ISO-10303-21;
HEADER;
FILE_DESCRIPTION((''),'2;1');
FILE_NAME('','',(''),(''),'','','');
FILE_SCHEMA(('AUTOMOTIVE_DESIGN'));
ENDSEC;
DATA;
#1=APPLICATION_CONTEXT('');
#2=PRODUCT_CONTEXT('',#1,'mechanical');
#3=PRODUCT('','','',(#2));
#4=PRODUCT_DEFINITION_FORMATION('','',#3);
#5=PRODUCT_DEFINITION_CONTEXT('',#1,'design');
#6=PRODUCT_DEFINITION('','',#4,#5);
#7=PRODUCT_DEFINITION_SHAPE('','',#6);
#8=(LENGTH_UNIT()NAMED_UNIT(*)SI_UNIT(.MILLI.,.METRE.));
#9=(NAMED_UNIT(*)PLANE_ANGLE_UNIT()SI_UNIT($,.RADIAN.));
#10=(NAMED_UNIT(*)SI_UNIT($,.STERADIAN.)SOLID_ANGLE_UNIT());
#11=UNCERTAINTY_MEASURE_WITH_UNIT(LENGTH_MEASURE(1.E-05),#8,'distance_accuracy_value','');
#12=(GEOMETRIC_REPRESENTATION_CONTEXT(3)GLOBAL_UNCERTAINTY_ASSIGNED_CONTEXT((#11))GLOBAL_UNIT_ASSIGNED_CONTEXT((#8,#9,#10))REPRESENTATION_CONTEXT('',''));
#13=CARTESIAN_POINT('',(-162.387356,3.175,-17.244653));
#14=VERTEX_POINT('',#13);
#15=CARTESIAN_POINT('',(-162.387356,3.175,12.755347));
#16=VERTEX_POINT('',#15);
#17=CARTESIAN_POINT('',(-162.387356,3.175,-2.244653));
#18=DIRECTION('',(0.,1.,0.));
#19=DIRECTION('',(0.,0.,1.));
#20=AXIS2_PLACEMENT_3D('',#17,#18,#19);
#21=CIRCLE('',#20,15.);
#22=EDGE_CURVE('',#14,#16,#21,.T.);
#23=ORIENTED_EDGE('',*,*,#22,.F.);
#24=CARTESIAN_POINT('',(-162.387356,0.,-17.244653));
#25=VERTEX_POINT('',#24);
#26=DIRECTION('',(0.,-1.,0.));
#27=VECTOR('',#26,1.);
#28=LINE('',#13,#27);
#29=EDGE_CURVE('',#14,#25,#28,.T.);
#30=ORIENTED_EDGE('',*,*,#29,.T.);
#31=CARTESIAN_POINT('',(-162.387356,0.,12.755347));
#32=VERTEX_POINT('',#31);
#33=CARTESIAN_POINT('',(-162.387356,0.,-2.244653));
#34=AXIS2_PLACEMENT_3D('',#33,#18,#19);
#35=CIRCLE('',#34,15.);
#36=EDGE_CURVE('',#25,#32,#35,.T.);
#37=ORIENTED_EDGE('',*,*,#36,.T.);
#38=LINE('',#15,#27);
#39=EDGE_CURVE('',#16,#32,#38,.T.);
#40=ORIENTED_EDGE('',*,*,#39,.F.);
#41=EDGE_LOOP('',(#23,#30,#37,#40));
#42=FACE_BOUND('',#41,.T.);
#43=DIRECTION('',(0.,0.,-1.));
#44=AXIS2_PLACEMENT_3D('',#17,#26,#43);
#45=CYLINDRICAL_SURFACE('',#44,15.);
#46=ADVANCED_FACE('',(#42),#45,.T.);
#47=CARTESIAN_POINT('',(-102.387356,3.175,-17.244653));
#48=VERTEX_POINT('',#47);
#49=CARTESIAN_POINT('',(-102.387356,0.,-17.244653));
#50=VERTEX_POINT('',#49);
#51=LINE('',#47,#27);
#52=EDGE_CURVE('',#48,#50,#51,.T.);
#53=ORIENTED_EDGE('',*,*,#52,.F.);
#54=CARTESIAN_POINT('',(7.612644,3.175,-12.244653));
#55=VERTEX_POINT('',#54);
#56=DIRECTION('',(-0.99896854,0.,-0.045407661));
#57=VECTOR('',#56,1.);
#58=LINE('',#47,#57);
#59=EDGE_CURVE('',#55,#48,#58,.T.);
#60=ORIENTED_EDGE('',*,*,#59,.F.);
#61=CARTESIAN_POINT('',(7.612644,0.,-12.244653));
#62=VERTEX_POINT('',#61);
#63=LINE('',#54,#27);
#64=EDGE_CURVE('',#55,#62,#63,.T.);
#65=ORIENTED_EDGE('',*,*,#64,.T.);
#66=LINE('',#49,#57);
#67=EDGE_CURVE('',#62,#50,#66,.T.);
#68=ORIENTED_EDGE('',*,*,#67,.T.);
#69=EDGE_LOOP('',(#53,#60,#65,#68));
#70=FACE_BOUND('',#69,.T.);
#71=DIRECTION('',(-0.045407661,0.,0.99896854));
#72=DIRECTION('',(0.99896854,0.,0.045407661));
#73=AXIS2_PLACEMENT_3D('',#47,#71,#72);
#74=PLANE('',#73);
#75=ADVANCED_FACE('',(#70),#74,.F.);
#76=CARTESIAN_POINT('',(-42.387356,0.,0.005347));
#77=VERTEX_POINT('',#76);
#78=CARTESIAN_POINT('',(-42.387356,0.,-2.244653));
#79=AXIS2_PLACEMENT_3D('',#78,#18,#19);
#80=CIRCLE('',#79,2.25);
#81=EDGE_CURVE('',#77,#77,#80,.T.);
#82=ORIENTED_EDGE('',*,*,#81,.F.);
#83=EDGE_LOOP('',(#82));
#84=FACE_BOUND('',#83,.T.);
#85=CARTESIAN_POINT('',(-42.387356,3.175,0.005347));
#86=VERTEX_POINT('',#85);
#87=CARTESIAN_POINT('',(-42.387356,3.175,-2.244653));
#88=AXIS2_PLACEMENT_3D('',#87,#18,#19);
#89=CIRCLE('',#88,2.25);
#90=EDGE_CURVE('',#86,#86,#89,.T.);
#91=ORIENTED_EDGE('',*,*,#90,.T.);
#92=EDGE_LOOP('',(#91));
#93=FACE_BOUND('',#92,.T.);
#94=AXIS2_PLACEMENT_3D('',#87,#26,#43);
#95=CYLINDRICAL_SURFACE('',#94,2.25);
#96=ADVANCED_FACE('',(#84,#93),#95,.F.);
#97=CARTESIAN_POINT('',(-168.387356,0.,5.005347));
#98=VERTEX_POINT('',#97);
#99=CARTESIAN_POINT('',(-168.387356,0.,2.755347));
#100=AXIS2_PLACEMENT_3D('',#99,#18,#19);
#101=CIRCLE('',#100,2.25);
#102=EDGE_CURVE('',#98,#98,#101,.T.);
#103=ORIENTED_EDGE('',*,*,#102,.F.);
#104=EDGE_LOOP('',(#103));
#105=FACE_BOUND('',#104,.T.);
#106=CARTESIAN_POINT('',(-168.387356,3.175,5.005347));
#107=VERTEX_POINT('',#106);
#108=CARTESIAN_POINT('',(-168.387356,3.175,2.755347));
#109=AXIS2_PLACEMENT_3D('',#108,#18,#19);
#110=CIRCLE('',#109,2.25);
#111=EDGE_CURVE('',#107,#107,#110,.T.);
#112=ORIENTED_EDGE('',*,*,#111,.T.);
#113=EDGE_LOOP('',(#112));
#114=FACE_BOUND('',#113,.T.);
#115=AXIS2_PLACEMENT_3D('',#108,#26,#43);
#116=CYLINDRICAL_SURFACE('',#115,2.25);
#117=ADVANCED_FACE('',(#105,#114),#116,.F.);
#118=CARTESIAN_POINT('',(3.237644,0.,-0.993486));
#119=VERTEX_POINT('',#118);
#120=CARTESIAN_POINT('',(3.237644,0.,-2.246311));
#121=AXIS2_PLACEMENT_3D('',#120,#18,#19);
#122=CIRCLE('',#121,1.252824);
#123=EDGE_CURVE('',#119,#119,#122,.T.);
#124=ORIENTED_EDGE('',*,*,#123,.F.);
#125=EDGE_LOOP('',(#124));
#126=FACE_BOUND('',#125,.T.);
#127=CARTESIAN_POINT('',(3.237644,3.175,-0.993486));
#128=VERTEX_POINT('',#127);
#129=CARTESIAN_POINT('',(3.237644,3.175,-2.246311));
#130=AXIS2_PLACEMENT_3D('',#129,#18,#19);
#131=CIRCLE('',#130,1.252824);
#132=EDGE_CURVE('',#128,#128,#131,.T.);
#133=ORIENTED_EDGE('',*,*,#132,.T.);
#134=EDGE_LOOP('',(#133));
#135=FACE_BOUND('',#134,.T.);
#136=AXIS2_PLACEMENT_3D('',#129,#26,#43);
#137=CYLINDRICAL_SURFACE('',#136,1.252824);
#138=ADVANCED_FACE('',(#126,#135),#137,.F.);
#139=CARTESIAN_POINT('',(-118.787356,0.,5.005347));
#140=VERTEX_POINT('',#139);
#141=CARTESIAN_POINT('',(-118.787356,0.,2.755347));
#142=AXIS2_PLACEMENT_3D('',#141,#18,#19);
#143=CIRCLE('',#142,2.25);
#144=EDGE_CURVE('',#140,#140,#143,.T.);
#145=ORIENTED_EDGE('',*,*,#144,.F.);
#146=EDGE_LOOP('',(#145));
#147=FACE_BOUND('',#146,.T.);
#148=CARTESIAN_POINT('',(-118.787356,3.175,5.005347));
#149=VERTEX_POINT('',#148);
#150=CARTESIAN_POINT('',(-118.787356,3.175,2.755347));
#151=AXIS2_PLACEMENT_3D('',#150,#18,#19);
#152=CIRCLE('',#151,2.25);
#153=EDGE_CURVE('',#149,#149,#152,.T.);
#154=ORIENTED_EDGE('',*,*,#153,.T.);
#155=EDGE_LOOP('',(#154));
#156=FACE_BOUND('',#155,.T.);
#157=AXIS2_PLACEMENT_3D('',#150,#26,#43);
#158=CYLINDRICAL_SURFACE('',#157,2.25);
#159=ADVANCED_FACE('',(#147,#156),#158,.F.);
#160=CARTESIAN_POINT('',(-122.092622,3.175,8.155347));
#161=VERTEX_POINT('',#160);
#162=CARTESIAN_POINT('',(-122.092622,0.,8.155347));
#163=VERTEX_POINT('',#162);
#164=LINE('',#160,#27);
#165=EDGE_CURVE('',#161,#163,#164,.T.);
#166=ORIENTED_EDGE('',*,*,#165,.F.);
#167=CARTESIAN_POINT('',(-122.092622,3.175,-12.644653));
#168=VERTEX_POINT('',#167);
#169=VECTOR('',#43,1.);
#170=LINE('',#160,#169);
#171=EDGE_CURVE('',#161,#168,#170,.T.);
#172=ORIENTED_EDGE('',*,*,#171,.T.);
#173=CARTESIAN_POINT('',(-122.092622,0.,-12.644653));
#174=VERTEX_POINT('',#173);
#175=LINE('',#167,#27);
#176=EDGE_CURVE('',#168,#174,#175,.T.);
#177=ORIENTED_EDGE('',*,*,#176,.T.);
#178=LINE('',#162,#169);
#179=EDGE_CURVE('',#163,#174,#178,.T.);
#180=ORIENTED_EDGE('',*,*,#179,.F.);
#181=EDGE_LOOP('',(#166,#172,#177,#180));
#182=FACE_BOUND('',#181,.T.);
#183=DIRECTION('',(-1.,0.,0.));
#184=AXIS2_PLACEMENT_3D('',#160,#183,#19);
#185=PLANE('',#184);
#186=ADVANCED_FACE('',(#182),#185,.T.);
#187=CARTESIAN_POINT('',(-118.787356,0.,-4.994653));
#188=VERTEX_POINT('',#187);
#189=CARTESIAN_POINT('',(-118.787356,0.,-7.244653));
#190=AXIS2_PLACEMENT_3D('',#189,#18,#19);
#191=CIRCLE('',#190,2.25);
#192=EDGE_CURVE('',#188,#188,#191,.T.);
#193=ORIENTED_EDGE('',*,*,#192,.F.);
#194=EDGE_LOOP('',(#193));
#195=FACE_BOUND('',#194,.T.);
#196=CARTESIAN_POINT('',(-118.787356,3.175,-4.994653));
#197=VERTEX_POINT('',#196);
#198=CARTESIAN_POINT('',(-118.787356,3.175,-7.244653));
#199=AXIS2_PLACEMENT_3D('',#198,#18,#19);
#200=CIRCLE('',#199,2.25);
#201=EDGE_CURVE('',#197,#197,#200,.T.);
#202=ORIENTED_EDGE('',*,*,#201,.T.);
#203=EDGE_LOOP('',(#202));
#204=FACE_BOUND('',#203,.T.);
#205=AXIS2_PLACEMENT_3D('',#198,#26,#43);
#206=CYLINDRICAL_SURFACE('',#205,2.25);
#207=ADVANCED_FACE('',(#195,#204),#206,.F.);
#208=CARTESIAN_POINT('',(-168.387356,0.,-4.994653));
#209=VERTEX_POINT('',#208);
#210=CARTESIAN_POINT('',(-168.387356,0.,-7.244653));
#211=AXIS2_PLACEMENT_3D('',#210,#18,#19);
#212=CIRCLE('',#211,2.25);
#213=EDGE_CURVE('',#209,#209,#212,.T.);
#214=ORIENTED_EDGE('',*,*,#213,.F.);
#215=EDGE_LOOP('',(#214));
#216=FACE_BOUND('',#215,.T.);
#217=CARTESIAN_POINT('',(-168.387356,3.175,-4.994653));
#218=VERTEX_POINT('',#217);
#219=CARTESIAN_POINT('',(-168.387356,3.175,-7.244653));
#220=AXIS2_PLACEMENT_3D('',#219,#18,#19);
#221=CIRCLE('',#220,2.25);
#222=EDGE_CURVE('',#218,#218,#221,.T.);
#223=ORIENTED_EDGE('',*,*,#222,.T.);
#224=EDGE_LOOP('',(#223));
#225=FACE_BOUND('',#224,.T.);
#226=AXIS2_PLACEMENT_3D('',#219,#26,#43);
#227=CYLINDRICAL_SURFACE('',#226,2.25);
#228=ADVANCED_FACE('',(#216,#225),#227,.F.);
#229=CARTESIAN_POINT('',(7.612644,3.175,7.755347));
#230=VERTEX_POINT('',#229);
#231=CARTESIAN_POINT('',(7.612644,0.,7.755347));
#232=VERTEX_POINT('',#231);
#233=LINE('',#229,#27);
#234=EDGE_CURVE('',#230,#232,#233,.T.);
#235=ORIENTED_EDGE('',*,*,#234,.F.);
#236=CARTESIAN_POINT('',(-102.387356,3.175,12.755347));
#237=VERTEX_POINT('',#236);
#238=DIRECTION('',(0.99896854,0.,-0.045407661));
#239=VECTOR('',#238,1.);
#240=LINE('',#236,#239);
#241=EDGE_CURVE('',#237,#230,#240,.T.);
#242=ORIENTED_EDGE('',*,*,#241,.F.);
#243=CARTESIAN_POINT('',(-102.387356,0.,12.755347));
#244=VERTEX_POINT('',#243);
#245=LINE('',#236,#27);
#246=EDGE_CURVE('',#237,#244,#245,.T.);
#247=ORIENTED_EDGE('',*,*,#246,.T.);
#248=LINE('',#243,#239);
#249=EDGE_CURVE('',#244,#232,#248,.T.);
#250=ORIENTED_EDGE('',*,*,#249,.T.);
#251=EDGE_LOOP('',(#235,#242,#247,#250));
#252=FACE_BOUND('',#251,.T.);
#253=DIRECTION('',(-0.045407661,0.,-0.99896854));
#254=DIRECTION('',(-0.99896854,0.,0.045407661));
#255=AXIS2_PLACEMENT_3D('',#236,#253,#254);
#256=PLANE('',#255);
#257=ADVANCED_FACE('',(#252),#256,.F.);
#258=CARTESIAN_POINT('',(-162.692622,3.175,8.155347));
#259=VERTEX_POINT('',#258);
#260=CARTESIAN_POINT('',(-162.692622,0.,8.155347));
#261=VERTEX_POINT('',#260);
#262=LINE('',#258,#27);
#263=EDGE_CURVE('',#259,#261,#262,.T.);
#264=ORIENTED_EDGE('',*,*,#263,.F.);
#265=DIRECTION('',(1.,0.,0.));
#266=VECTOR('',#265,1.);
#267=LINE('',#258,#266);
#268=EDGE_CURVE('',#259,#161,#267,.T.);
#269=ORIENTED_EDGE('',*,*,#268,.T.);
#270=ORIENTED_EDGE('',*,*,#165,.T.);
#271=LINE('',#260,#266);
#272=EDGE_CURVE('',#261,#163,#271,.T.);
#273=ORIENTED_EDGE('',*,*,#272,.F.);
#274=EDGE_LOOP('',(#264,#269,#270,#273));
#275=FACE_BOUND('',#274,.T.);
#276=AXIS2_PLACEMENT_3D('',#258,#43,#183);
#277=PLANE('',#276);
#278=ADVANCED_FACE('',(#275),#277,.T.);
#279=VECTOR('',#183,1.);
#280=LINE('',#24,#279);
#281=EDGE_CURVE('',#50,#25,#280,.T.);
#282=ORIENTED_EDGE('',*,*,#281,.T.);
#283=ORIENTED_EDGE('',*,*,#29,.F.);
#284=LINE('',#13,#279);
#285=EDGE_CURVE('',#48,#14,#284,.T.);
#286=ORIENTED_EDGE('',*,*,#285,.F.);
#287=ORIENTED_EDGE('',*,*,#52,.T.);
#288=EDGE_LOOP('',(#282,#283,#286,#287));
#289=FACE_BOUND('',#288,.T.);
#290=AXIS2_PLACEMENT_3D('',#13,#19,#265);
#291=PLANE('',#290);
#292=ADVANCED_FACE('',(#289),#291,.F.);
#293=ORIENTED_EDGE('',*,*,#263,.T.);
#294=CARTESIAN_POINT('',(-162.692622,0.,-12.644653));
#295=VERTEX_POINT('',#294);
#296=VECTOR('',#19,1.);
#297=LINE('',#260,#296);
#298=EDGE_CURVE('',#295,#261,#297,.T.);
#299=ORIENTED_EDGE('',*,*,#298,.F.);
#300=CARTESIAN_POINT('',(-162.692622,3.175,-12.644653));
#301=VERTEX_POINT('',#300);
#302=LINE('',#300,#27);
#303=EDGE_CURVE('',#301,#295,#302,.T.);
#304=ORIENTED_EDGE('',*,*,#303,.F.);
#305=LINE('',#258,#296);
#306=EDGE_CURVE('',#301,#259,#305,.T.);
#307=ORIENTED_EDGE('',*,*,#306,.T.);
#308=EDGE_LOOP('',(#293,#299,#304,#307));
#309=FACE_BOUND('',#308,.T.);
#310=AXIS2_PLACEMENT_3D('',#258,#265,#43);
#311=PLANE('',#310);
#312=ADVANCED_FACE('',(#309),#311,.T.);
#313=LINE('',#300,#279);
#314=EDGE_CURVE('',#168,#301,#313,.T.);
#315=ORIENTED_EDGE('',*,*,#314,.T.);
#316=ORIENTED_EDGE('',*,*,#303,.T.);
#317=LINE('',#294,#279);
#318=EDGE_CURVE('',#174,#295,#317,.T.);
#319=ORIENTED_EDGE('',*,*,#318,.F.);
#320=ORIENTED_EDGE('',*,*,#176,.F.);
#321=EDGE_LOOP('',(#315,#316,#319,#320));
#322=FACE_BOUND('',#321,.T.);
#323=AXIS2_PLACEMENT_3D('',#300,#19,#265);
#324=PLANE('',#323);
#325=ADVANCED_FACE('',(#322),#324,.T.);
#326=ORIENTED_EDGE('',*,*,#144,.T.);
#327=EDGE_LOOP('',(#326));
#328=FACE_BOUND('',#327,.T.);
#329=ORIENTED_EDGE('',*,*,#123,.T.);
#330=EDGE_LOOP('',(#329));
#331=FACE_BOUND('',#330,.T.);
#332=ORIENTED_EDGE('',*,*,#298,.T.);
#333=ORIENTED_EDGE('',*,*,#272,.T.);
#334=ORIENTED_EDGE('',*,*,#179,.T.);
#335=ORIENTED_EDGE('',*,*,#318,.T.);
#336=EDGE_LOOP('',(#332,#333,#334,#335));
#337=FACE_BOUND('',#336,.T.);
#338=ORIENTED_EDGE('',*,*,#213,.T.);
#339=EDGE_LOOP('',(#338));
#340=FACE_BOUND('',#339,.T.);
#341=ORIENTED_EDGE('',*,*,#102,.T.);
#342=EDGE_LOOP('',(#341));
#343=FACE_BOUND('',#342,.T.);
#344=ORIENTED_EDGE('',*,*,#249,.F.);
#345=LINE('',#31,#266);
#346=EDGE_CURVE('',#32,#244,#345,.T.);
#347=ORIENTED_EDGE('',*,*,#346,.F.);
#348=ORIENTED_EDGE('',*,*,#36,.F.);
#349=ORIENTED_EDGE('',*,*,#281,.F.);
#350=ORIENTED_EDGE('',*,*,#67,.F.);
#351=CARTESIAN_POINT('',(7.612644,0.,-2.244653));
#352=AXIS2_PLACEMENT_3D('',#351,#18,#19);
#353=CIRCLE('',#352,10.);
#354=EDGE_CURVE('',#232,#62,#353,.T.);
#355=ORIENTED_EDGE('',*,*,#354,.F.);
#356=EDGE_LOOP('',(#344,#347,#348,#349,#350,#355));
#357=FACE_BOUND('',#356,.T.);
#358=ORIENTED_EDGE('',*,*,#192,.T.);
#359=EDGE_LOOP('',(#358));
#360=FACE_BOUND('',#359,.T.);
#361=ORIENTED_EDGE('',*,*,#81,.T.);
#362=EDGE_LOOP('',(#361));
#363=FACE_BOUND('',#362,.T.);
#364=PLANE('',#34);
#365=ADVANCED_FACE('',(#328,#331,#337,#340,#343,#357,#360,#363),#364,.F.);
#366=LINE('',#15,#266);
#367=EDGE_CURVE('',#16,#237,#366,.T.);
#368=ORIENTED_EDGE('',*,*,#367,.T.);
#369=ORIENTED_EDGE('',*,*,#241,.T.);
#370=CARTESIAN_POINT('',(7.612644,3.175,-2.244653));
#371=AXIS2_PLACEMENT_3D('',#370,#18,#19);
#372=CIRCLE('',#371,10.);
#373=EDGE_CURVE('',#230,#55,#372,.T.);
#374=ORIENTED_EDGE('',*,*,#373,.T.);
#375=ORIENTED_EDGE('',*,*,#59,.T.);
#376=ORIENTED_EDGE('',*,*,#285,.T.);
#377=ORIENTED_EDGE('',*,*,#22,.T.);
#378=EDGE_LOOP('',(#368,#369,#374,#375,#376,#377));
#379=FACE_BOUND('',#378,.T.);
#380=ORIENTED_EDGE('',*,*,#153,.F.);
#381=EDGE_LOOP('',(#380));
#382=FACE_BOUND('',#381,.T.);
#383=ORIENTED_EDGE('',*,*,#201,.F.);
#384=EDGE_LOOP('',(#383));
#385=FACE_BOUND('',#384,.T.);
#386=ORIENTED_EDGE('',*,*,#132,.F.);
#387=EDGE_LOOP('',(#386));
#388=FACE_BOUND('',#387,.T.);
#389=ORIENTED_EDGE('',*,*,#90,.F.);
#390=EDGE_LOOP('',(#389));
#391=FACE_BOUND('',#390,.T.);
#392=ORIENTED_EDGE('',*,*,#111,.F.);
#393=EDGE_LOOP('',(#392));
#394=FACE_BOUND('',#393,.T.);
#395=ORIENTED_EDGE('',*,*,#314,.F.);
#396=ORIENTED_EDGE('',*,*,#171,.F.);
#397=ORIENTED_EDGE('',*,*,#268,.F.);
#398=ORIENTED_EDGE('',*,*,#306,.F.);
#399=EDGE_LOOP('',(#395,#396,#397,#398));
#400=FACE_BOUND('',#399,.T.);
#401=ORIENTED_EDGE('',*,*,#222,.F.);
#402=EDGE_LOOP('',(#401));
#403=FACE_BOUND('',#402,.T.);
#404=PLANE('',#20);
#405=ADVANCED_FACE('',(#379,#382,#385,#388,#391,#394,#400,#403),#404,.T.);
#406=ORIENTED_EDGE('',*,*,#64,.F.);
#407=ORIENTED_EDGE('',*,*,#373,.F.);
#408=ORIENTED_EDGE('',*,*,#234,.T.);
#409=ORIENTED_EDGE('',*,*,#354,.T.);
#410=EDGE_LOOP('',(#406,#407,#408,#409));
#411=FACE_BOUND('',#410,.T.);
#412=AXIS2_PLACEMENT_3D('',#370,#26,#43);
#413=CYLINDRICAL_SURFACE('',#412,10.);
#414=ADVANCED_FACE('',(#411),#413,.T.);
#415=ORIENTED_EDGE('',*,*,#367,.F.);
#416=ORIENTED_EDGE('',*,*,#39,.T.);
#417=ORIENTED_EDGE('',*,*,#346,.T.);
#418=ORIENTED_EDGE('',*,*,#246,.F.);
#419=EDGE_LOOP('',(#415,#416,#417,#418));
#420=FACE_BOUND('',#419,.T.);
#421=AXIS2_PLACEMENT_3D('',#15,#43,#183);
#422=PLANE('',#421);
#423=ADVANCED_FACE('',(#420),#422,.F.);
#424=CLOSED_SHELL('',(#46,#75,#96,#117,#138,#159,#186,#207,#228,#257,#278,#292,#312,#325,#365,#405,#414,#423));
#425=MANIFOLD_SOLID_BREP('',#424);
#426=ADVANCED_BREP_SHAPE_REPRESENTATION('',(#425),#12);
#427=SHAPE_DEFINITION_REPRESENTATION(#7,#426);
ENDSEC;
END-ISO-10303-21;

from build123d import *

# Parameters (mm, degrees)
SKETCH1_R           = 2.25
SKETCH1_R_2         = 1.25282433
SKETCH1_W           = 40.6
SKETCH1_H           = 20.8
BOSS_EXTRUDE1_DEPTH = 3.175


with BuildPart() as part:
    # Sketch1 → Boss-Extrude1 (new body)
    with BuildSketch(Plane(origin=(0, 0, 0), x_dir=(1, 0, 0), z_dir=(0, 1, 0))):
        with BuildLine():
            Line((-162.38735588, 17.244652891), (-102.38735588, 17.244652891))
            Line((-102.38735588, 17.244652891), (7.61264412, 12.244652891))
            ThreePointArc((7.61264412, 12.244652891), (17.61264412, 2.244652891), (7.61264412, -7.755347109))
            Line((7.61264412, -7.755347109), (-102.38735588, -12.755347109))
            Line((-102.38735588, -12.755347109), (-162.38735588, -12.755347109))
            ThreePointArc((-162.38735588, -12.755347109), (-177.38735588, 2.244652891), (-162.38735588, 17.244652891))
        make_face()
        with Locations(Location((-168.38735588, 7.244652891, 0), (0, 0, 270))):
            Circle(SKETCH1_R, mode=Mode.SUBTRACT)
        with Locations(Location((-168.38735588, -2.755347109, 0), (0, 0, 270))):
            Circle(SKETCH1_R, mode=Mode.SUBTRACT)
        with Locations(Location((-118.78735588, 7.244652891, 0), (0, 0, 270))):
            Circle(SKETCH1_R, mode=Mode.SUBTRACT)
        with Locations(Location((-118.78735588, -2.755347109, 0), (0, 0, 270))):
            Circle(SKETCH1_R, mode=Mode.SUBTRACT)
        with Locations(Location((-42.38735588, 2.244652891, 0), (0, 0, 270))):
            Circle(SKETCH1_R, mode=Mode.SUBTRACT)
        with Locations(Location((3.23764412, 2.246310682, 0), (0, 0, 270))):
            Circle(SKETCH1_R_2, mode=Mode.SUBTRACT)
        with Locations((-142.392621679, 2.244652891)):
            Rectangle(SKETCH1_W, SKETCH1_H, mode=Mode.SUBTRACT)
    extrude(amount=BOSS_EXTRUDE1_DEPTH)


solid = part.part
